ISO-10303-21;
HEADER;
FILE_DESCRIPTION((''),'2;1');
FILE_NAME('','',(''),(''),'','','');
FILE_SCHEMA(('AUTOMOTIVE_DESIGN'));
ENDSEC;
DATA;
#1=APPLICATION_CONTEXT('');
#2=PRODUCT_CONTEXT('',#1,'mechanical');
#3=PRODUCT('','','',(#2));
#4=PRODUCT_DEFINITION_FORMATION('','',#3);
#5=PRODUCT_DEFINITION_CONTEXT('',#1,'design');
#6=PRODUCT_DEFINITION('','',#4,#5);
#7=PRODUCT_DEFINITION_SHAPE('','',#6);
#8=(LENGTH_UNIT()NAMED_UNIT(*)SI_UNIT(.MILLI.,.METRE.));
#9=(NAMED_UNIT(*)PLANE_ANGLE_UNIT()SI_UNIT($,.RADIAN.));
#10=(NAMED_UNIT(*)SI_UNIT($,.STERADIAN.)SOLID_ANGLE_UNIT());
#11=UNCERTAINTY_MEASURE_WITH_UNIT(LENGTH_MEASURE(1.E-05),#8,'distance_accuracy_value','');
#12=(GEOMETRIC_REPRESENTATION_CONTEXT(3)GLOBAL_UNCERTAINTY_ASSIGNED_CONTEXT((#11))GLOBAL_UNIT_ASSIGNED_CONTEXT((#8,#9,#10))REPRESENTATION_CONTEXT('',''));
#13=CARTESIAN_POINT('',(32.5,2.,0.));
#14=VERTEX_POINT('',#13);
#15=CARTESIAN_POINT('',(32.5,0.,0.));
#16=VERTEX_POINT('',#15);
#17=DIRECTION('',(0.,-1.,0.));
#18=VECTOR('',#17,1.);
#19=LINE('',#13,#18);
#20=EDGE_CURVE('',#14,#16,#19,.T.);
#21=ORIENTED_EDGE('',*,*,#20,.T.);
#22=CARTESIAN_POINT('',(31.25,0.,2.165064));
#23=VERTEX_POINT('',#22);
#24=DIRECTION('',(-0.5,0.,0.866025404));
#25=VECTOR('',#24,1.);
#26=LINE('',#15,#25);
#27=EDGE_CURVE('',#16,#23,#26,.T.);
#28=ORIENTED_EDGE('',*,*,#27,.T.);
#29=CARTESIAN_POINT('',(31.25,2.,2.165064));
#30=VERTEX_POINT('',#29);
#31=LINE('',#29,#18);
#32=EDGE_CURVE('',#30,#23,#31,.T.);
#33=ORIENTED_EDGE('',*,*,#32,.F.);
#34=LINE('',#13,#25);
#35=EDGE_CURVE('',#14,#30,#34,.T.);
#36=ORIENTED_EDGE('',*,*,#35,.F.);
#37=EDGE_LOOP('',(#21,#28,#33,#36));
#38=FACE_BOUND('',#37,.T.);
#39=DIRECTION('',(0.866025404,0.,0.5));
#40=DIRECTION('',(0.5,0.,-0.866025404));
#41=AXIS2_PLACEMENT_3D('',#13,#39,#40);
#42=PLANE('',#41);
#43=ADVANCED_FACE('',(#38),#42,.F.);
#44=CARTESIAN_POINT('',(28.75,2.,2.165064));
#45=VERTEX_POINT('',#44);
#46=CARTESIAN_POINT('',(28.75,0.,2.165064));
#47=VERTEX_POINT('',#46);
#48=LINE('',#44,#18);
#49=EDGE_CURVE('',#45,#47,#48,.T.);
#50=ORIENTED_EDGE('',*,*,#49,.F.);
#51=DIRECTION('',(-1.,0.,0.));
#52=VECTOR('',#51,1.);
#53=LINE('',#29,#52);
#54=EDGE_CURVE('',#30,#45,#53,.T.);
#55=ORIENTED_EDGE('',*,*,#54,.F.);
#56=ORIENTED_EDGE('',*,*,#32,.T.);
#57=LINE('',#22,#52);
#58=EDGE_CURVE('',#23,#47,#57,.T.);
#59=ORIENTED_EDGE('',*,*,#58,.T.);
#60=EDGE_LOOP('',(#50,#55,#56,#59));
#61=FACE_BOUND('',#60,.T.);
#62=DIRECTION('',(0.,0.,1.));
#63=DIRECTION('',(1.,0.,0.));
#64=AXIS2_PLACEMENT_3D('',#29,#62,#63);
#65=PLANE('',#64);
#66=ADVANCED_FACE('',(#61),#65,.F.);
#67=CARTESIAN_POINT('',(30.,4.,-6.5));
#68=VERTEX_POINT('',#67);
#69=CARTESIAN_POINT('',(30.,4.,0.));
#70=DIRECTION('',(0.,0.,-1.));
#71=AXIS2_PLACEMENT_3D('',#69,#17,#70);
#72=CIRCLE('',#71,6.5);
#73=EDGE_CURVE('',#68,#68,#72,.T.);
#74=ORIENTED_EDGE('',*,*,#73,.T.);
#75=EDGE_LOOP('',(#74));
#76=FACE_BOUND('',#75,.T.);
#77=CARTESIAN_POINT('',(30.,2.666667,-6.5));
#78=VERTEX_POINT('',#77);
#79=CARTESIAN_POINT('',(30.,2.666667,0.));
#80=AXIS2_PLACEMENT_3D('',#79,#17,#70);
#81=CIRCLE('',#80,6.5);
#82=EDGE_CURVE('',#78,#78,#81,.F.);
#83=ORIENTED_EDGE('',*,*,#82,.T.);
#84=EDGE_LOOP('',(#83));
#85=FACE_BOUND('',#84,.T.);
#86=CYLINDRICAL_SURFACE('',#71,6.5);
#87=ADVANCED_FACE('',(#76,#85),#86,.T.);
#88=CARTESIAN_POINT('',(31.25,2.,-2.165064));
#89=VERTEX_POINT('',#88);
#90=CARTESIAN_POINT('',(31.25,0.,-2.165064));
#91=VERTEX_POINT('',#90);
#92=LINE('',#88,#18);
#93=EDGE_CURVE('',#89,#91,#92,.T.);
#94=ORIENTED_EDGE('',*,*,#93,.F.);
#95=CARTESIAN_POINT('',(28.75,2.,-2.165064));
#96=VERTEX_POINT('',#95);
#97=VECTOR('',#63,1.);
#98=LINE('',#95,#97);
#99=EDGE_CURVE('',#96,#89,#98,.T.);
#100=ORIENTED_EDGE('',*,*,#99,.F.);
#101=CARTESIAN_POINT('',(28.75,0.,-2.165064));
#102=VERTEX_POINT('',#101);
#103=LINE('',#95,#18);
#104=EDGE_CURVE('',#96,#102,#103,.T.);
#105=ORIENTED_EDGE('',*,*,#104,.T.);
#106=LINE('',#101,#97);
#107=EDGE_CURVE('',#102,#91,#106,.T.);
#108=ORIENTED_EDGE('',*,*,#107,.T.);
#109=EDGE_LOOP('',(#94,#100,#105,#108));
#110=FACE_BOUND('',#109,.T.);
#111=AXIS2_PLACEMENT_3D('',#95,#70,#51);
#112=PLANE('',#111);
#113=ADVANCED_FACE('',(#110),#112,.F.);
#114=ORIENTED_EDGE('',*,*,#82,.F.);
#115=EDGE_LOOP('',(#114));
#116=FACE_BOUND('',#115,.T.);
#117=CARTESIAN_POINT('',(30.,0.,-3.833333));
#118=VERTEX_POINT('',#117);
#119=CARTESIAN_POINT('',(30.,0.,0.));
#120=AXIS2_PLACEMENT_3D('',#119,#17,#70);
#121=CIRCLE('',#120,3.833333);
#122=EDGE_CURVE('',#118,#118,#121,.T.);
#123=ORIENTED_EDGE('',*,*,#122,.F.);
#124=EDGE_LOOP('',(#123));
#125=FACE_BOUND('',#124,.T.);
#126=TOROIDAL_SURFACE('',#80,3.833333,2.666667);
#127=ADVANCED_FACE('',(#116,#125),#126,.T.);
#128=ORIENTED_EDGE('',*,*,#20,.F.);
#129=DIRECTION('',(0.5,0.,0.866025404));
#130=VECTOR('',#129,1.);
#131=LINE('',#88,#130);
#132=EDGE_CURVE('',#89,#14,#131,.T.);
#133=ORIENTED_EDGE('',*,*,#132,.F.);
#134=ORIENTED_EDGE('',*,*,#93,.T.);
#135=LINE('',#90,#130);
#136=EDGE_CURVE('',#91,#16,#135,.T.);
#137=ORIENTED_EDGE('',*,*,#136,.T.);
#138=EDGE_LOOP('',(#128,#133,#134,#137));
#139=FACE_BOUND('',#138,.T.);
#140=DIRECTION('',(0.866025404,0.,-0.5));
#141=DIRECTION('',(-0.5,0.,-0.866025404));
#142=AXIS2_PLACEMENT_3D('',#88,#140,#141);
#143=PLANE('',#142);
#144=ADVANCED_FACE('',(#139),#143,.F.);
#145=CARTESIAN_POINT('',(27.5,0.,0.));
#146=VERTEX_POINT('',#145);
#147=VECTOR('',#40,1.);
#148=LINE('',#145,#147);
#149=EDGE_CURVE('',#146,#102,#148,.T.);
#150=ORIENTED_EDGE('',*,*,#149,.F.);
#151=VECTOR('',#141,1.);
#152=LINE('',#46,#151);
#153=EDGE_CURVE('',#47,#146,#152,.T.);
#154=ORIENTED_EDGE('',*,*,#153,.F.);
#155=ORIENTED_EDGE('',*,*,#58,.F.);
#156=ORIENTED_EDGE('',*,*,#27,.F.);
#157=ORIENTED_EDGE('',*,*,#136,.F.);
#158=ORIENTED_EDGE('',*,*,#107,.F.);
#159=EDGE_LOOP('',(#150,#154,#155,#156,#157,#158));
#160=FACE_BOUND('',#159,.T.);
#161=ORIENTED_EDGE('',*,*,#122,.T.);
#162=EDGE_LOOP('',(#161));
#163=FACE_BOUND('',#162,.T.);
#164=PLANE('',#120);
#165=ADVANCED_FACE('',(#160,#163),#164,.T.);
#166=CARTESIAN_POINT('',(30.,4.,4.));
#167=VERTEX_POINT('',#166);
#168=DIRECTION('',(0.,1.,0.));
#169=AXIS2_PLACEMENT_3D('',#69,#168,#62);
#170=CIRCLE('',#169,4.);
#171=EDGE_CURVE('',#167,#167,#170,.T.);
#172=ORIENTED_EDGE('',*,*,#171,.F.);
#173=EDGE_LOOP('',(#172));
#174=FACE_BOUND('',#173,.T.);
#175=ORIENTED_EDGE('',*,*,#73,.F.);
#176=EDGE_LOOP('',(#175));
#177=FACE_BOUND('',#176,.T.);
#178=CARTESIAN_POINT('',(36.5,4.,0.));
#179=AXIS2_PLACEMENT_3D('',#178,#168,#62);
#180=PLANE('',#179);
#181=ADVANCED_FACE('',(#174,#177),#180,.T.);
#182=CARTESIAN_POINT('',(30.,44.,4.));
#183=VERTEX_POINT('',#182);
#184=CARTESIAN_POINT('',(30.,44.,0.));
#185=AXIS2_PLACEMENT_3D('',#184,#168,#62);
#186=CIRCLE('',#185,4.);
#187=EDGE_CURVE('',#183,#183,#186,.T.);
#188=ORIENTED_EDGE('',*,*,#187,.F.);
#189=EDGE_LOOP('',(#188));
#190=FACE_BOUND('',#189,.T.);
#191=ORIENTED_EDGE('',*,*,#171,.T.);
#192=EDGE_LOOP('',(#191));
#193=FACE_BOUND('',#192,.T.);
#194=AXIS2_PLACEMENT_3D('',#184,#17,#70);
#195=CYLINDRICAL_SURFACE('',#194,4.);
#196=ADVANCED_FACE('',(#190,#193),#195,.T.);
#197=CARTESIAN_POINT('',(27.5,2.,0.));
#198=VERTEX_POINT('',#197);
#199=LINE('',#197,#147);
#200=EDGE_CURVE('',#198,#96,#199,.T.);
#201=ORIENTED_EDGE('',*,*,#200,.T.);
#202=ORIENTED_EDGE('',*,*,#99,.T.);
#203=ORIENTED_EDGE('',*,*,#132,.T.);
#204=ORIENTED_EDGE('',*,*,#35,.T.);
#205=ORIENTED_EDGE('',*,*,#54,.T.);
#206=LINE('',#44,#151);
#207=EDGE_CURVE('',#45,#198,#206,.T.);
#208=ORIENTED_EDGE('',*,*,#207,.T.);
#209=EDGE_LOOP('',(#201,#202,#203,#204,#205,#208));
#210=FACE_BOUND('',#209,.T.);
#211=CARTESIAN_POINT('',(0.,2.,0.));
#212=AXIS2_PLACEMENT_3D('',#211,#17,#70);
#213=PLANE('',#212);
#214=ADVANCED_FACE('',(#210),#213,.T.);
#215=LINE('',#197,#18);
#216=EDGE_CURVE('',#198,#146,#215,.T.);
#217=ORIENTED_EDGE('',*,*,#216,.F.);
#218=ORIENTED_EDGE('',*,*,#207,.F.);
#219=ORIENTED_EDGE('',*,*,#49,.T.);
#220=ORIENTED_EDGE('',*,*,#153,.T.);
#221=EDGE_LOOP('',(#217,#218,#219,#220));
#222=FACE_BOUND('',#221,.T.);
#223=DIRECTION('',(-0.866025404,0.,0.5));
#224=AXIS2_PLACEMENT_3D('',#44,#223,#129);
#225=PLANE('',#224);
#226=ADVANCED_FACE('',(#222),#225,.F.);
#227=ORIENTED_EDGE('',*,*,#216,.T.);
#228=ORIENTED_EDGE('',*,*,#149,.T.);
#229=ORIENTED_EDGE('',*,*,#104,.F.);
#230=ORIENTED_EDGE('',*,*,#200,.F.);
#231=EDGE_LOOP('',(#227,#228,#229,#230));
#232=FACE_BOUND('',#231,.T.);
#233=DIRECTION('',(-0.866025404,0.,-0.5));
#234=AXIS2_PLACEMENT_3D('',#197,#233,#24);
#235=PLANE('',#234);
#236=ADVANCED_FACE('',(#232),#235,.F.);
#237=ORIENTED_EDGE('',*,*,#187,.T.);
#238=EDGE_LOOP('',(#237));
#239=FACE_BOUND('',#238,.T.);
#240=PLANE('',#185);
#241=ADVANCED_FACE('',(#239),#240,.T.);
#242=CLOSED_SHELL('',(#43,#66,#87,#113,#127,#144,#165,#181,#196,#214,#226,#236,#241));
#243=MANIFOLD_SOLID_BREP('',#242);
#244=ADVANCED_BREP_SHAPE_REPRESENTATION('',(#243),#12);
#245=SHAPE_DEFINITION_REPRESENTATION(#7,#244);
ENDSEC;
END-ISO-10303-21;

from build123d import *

# Parameters (mm, degrees)
SKETCH_1_W          = 6.5
SKETCH_1_H          = 4
SKETCH_2_R          = 4
EXTRUDE_1_DEPTH     = 40
CUT_EXTRUDE_1_DEPTH = 2
FILLET_1_R          = 2.666666667


with BuildPart() as part:
    # 草图1 → 旋转1 (revolve)
    with BuildSketch(Plane.XY):
        with Locations((33.25, 2)):
            Rectangle(SKETCH_1_W, SKETCH_1_H)
    revolve(axis=Axis((30, 4, 0), (0, -1, 0)))

    # 草图2 → 凸台-拉伸1 (add)
    with BuildSketch(Plane(origin=(0, 4, 0), x_dir=(-1, 0, 0), z_dir=(0, 1, 0))):
        with Locations((-30, 0)):
            Circle(SKETCH_2_R)
    extrude(amount=EXTRUDE_1_DEPTH)

    # 草图3 → 切除-拉伸1 (cut)
    with BuildSketch(Plane.XZ):
        Polygon((28.75, -2.165063509), (31.25, -2.165063509), (32.5, 0), (31.25, 2.165063509), (28.75, 2.165063509), (27.5, 0), align=None)
    extrude(amount=-CUT_EXTRUDE_1_DEPTH, mode=Mode.SUBTRACT)

    # 圆角1
    fillet_1_edges = [part.edges().sort_by_distance(p)[0] for p in [
        (23.5, 0, 0),
    ]]
    fillet(fillet_1_edges, radius=FILLET_1_R)


solid = part.part
